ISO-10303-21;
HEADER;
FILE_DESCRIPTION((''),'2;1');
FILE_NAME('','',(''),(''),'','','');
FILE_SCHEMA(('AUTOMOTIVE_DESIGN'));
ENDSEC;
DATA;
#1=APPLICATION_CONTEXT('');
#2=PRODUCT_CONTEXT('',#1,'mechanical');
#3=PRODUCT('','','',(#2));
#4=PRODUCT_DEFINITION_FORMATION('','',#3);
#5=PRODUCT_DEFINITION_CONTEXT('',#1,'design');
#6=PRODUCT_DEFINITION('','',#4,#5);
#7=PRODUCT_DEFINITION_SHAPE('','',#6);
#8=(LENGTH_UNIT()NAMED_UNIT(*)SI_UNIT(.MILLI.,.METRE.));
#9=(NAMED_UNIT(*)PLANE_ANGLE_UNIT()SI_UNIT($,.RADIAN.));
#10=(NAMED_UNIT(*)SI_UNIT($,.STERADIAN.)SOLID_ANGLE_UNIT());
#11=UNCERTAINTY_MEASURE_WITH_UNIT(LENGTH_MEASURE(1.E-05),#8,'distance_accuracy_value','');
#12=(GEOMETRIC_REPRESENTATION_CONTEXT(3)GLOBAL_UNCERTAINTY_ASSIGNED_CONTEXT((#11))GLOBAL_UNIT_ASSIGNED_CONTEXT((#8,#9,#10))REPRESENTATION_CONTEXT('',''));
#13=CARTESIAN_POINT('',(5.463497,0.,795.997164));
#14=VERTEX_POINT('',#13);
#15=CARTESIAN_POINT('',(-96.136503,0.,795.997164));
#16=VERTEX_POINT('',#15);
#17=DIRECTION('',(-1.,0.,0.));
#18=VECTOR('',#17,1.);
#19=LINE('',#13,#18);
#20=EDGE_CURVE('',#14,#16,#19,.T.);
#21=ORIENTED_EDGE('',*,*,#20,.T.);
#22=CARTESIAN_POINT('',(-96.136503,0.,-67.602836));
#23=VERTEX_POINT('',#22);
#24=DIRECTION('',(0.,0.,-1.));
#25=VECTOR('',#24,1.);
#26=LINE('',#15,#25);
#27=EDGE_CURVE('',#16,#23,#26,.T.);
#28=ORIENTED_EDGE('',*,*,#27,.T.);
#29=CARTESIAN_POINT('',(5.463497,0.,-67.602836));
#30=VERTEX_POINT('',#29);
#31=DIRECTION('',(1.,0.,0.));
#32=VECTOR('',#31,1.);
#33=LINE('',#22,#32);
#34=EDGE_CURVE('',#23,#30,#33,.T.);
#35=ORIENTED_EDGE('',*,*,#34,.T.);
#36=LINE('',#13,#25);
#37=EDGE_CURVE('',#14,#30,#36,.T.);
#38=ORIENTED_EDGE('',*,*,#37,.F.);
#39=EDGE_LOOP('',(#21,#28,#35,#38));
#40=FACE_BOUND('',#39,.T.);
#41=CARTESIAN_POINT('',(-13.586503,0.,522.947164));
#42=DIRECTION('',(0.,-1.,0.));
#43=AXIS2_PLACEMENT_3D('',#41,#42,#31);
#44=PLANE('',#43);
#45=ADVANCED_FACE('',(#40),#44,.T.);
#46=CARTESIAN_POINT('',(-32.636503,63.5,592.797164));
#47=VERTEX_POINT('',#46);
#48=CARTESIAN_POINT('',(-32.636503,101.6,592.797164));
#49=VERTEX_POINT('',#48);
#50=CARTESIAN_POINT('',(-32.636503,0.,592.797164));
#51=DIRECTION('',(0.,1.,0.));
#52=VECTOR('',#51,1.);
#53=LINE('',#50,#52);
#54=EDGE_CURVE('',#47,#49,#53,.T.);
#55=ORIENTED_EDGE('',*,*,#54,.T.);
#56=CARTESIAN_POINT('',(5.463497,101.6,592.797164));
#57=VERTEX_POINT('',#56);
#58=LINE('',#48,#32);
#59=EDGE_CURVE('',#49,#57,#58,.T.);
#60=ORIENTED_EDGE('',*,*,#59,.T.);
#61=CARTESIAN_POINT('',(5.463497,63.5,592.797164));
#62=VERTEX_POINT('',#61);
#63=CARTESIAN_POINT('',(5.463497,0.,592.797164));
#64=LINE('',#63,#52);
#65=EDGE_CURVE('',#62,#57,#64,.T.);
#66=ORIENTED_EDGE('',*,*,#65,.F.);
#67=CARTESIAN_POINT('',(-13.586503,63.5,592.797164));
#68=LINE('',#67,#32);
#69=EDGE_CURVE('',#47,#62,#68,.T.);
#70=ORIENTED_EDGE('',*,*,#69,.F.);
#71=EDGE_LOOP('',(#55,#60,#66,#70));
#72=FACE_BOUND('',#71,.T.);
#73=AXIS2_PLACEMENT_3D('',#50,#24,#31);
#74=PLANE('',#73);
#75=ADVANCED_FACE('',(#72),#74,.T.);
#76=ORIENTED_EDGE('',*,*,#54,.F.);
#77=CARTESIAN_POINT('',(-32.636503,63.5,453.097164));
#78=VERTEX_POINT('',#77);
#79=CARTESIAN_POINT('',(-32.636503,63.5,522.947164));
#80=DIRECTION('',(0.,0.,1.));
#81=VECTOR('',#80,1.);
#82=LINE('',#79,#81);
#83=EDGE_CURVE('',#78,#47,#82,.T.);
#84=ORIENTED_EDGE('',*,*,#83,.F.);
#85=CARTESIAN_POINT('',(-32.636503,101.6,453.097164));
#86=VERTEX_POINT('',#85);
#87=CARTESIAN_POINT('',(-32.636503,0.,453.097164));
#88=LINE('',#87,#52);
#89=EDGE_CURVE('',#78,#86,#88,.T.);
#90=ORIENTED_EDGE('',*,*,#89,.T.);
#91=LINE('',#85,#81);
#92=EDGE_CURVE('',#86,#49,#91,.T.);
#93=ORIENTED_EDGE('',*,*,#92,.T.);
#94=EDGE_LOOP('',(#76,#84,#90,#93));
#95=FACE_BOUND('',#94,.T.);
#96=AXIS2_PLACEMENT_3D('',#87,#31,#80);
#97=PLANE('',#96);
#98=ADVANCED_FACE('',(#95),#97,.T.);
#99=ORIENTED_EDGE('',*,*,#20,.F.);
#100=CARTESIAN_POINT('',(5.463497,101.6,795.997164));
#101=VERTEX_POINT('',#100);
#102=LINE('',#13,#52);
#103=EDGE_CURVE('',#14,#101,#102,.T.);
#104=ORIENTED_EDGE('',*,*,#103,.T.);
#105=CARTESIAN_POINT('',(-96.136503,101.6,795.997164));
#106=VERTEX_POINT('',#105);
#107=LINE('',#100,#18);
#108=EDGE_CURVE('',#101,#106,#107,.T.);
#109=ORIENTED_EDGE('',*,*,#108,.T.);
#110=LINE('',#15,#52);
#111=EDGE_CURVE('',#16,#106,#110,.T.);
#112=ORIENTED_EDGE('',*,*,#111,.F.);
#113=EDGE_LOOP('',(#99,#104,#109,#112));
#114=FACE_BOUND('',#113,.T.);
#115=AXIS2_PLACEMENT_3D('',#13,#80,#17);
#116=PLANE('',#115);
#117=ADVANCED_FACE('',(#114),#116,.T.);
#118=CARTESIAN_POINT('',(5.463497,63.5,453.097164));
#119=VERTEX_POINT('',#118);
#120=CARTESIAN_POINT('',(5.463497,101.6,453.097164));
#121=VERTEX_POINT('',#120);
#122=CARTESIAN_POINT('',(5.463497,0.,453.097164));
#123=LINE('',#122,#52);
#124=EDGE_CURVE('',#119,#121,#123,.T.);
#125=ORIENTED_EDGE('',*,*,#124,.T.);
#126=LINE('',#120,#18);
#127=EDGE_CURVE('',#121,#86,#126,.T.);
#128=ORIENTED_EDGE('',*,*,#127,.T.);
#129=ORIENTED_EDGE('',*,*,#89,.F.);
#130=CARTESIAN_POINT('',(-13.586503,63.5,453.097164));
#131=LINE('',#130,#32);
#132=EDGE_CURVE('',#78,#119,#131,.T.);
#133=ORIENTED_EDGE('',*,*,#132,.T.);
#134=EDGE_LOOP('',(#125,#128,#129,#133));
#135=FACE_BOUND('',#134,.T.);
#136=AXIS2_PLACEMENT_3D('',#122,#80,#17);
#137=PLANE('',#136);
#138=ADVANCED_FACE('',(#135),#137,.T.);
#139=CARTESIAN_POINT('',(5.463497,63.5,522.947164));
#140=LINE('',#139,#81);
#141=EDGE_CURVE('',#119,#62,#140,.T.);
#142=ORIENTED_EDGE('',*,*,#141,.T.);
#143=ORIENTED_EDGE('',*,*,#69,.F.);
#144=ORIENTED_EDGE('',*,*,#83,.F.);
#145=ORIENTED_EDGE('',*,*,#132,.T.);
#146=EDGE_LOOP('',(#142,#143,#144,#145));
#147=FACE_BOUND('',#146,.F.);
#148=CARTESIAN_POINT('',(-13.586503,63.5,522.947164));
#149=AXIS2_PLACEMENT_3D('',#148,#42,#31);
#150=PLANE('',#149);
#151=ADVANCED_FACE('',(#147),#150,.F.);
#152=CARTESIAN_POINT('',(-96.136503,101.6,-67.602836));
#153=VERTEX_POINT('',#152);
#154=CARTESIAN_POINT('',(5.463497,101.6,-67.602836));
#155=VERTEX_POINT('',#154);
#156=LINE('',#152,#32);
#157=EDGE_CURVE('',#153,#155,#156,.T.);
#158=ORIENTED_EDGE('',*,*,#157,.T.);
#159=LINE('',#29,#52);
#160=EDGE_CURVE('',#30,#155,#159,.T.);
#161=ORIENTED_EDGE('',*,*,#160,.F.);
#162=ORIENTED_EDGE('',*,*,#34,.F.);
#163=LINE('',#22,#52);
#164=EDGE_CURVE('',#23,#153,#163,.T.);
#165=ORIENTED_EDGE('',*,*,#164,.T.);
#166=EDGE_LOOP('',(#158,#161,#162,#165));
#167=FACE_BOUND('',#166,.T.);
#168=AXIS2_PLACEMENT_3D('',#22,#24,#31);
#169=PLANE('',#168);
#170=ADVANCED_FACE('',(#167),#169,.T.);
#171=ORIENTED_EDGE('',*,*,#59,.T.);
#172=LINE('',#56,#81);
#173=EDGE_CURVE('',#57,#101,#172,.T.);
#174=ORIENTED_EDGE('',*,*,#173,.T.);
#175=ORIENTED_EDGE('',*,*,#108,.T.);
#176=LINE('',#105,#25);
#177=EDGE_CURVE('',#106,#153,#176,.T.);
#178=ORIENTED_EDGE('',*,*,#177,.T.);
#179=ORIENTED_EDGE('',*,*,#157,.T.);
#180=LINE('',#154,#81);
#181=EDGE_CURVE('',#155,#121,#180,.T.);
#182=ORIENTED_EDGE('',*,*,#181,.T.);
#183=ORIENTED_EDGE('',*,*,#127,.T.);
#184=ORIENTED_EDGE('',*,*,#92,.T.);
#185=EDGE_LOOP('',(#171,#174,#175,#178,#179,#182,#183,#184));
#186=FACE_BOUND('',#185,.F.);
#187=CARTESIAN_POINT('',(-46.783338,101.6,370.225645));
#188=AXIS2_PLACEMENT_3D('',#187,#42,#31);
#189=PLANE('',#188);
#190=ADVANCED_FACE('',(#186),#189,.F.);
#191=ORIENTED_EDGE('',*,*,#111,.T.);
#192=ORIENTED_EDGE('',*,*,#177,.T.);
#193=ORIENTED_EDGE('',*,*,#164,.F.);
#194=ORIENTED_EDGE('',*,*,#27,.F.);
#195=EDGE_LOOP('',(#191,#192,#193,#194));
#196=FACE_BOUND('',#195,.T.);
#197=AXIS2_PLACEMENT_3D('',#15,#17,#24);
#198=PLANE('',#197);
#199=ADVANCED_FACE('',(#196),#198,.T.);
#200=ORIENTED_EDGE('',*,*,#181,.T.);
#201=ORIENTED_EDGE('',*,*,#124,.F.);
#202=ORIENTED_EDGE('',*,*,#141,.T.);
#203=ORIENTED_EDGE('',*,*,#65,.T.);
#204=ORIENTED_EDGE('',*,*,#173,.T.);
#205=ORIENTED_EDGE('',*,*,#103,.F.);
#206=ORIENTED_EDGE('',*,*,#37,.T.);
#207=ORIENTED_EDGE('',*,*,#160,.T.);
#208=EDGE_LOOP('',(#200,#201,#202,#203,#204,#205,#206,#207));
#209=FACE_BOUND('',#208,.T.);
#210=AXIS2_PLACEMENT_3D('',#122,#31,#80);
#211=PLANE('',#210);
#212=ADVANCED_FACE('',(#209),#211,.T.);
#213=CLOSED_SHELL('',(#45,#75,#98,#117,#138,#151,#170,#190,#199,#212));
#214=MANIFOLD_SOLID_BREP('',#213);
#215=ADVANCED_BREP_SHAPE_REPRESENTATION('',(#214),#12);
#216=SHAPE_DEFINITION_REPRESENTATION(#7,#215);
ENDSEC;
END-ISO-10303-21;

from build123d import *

# Parameters (mm, degrees)
F1_DEPTH = 101.6
F0_W     = 38.1
F0_H     = 139.7
F2_DEPTH = 63.5


with BuildPart() as f1:
    # F0 (on Front) → F1 (new body)
    with BuildSketch(Plane.XZ):
        Polygon((-96.136503, 795.997164), (-96.136503, -67.602836), (5.463497, -67.602836), (5.463497, 453.097164), (-32.636503, 453.097164), (-32.636503, 592.797164), (5.463497, 592.797164), (5.463497, 795.997164), align=None)
    extrude(amount=-F1_DEPTH)

    # F0 (on Front) → F2 (join)
    with BuildSketch(Plane.XZ):
        with Locations((-13.586503, 522.947164)):
            Rectangle(F0_W, F0_H)
    extrude(amount=-F2_DEPTH)


solid = f1.part
